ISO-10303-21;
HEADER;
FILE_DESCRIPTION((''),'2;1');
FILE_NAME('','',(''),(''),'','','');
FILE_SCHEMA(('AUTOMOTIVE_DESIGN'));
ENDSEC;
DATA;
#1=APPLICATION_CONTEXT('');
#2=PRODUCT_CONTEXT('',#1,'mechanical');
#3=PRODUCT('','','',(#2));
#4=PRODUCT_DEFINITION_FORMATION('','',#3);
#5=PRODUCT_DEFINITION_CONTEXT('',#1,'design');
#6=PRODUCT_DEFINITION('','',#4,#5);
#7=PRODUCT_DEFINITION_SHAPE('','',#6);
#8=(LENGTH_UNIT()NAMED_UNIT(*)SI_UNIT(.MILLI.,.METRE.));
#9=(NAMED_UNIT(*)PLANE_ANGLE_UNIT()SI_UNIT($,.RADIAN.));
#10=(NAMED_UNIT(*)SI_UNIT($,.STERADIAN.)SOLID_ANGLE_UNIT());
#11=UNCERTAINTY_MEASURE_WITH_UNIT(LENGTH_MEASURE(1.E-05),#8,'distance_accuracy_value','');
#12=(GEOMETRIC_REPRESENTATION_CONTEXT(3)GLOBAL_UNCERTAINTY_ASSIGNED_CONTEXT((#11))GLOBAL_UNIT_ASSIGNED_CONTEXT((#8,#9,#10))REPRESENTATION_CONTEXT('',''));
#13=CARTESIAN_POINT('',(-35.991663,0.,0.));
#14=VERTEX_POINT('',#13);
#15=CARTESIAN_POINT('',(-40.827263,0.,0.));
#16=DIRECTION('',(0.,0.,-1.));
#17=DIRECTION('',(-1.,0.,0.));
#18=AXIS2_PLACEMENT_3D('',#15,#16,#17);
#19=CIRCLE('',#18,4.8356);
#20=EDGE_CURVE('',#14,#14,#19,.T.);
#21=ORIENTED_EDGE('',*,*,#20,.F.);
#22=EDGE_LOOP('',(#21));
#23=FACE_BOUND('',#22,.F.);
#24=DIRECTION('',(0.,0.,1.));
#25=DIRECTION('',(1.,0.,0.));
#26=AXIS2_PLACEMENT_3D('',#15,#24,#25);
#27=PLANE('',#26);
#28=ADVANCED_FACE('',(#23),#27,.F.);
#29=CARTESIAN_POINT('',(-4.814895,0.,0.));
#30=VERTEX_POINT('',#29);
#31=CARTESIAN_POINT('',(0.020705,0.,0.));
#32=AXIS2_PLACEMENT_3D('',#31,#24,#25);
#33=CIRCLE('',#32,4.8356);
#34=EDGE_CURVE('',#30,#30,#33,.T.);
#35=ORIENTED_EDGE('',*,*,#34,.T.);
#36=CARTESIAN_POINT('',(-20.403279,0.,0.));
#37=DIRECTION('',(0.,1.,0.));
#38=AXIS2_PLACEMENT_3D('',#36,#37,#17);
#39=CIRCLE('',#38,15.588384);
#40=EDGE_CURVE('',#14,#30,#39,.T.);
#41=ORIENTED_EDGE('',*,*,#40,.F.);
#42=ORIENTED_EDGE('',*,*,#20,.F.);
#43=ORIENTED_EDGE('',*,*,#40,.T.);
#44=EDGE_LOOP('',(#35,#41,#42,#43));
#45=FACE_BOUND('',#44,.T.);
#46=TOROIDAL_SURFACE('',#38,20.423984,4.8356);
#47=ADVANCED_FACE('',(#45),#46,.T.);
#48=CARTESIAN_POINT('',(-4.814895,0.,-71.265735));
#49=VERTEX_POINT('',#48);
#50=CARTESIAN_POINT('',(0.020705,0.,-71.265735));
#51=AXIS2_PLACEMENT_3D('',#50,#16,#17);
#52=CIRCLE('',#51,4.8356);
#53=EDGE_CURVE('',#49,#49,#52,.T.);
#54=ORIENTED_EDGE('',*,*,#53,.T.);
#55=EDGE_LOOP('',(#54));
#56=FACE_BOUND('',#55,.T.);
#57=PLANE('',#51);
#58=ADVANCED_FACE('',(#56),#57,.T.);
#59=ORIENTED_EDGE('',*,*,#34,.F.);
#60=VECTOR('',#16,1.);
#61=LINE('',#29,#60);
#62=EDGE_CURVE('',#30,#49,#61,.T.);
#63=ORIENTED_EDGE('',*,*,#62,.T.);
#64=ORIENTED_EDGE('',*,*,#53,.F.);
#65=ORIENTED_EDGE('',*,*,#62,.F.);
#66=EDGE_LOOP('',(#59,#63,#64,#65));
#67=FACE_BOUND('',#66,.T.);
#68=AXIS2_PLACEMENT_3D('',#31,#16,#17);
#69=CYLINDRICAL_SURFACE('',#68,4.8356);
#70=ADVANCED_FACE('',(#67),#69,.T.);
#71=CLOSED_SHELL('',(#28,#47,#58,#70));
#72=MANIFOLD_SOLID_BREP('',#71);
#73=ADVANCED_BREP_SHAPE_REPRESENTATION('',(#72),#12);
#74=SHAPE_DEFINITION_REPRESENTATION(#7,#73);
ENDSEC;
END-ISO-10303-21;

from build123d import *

# Parameters (mm, degrees)
F1_R = 4.8356


with BuildPart() as f2:
    # F2: sweep along a path in F0
    with BuildLine(Plane.XZ) as f2_path:
        ThreePointArc((-40.806558, 0), (-20.403279, 20.403279), (0, 0))
        Line((0, 0), (0, -71.265735))
    # F1 (on Top) → F2 (sweep)
    with BuildSketch(Plane.XY):
        with Locations((-40.827263, 0)):
            Circle(F1_R)
    sweep(path=f2_path.line)


solid = f2.part
